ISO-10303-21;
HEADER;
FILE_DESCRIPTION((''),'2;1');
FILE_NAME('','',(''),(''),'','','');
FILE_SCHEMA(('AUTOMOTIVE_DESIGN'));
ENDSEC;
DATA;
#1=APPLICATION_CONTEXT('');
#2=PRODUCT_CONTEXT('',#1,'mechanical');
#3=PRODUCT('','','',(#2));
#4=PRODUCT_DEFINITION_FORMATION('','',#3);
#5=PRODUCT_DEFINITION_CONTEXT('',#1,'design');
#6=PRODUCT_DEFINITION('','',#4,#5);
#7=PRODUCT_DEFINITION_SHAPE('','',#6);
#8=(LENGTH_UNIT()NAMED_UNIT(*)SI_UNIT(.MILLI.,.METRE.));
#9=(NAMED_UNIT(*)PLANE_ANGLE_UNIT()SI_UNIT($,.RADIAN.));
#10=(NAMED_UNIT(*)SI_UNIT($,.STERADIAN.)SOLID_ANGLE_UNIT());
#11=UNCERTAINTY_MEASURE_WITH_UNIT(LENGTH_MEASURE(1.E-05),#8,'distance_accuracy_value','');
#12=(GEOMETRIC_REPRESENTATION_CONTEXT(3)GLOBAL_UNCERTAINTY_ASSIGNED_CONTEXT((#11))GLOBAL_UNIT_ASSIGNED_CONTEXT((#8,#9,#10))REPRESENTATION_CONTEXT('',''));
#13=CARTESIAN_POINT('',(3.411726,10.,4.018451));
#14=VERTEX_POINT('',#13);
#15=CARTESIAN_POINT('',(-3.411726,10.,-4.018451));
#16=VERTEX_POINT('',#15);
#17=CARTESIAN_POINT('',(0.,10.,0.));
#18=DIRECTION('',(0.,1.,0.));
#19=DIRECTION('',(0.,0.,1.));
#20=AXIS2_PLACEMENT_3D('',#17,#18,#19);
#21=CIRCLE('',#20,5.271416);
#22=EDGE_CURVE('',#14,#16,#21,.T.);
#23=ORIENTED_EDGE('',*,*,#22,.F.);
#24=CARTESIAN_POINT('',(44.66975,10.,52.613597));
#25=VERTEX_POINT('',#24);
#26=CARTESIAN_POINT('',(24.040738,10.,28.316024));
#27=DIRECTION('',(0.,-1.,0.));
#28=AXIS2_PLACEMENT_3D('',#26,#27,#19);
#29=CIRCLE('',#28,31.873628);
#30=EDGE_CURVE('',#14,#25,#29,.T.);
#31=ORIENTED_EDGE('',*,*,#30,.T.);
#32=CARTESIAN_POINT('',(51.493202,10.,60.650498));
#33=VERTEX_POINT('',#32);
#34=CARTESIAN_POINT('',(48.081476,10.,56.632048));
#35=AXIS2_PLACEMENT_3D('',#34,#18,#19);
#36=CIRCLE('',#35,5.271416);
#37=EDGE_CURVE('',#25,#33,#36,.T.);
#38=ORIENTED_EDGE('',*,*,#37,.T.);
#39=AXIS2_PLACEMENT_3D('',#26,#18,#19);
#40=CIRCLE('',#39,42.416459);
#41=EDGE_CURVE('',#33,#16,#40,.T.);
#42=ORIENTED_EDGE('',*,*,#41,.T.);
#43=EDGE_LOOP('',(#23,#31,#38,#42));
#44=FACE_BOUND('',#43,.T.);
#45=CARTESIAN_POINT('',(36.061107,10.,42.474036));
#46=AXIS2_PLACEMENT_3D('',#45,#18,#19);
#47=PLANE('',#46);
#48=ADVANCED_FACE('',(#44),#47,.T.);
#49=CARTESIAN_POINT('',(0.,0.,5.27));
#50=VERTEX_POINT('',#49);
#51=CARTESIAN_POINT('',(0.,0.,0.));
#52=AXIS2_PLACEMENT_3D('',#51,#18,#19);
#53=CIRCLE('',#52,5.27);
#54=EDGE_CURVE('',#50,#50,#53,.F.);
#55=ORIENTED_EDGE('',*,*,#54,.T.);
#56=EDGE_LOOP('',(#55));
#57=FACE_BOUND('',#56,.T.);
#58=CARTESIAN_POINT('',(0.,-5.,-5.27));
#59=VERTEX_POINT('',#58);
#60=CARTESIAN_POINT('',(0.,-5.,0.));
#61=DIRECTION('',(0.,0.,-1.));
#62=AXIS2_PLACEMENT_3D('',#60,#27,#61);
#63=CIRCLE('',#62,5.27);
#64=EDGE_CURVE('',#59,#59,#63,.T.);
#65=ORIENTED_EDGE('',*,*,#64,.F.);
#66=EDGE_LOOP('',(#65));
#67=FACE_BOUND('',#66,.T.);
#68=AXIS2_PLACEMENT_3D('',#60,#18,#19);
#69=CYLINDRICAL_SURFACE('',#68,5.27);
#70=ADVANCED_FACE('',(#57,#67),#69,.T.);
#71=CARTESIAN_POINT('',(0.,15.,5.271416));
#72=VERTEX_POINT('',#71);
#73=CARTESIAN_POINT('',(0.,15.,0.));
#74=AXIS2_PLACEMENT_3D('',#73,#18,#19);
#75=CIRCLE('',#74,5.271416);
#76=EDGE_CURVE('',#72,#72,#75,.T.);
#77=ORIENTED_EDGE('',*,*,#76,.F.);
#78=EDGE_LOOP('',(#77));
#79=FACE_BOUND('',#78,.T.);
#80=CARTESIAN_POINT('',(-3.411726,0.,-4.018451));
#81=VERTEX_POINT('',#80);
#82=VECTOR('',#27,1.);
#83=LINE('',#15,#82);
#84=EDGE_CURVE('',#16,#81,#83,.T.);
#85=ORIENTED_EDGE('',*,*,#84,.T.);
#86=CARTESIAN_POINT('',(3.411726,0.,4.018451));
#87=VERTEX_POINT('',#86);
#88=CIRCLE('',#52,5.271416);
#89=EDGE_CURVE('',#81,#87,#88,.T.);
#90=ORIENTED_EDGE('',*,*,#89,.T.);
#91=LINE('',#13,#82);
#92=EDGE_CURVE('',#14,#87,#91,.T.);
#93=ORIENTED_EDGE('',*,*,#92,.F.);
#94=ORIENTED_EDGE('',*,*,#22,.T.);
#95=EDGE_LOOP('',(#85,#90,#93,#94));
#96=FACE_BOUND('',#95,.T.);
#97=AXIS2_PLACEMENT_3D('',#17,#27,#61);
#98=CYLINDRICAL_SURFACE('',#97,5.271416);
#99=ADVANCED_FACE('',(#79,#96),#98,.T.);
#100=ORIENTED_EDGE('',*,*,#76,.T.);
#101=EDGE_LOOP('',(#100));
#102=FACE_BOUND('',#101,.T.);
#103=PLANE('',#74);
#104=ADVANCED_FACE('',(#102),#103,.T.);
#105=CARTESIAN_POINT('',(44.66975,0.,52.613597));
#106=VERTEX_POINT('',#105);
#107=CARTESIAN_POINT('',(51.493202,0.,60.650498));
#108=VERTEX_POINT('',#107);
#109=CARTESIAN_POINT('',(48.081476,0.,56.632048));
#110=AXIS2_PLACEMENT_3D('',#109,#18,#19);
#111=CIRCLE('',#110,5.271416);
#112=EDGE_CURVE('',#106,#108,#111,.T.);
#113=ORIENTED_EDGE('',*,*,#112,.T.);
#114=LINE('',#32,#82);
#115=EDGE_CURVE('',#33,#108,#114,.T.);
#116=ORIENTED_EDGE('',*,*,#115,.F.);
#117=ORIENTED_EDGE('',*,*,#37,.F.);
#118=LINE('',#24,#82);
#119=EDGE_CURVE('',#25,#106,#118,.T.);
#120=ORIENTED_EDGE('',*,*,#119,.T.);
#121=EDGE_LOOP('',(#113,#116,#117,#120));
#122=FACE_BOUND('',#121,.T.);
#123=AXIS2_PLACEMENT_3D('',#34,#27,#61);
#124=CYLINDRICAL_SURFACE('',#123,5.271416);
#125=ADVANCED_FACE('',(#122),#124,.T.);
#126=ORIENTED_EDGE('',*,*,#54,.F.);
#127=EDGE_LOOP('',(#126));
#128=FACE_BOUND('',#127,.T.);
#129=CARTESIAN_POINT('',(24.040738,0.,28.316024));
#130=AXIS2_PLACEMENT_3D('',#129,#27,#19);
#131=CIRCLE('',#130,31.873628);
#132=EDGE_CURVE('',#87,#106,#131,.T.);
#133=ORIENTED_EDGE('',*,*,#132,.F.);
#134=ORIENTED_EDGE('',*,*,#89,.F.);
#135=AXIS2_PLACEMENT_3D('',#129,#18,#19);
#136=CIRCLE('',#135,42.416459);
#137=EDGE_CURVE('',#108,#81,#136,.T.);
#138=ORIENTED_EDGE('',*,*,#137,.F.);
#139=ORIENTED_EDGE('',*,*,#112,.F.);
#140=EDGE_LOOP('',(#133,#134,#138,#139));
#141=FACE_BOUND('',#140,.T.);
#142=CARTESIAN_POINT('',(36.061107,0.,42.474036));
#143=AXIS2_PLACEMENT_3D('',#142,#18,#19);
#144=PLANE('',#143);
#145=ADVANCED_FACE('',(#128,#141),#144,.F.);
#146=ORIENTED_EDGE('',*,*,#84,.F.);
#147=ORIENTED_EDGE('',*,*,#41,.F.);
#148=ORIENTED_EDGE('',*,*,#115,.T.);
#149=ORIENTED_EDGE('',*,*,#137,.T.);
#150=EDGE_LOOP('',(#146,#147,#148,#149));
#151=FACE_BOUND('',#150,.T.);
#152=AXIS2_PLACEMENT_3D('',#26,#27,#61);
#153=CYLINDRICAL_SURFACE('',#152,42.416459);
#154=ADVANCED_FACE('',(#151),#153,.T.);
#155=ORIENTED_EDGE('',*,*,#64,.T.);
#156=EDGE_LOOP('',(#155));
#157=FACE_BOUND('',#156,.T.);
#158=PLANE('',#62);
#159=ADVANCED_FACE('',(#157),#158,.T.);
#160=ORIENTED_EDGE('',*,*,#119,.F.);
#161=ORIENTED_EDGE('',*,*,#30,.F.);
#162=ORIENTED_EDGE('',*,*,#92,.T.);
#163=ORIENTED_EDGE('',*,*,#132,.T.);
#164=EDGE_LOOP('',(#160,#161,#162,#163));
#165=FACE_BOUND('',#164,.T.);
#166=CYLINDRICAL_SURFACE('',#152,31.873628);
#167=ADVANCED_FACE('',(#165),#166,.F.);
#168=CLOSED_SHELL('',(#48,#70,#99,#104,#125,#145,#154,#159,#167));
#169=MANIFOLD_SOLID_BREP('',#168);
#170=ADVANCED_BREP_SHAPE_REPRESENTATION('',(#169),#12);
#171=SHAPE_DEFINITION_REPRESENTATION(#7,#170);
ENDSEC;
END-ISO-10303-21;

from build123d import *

# Parameters (mm, degrees)
BOSS_EXTRUDE2_DEPTH = 10
SKETCH5_R           = 5.271415538
BOSS_EXTRUDE3_DEPTH = 5
SKETCH8_R           = 5.27
BOSS_EXTRUDE4_DEPTH = 5


with BuildPart() as part:
    # Sketch4 → Boss-Extrude2 (new body)
    with BuildSketch(Plane(origin=(0, 0, 0), x_dir=(1, 0, 0), z_dir=(0, 1, 0))):
        with BuildLine():
            ThreePointArc((51.493202039, -60.650498275), (56.375212409, -0.863559663), (-3.411726203, 4.018450707))
            ThreePointArc((-3.411726203, 4.018450707), (-4.018450707, -3.411726203), (3.411726203, -4.018450707))
            ThreePointArc((3.411726203, -4.018450707), (48.338310994, -7.687012068), (44.669749634, -52.61359686))
            ThreePointArc((44.669749634, -52.61359686), (44.063025129, -60.04377377), (51.493202039, -60.650498275))
        make_face()
    extrude(amount=BOSS_EXTRUDE2_DEPTH)

    # Sketch5 → Boss-Extrude3 (add)
    with BuildSketch(Plane(origin=(0, 10, 0), x_dir=(1, 0, 0), z_dir=(0, 1, 0))):
        with Locations(Location((0, 0, 0), (0, 0, 130.331767004))):
            Circle(SKETCH5_R)
    extrude(amount=BOSS_EXTRUDE3_DEPTH)

    # Sketch8 → Boss-Extrude4 (add)
    with BuildSketch(Plane.XZ):
        with Locations(Location((0, 0, 0), (0, 0, 90))):
            Circle(SKETCH8_R)
    extrude(amount=BOSS_EXTRUDE4_DEPTH)


solid = part.part
